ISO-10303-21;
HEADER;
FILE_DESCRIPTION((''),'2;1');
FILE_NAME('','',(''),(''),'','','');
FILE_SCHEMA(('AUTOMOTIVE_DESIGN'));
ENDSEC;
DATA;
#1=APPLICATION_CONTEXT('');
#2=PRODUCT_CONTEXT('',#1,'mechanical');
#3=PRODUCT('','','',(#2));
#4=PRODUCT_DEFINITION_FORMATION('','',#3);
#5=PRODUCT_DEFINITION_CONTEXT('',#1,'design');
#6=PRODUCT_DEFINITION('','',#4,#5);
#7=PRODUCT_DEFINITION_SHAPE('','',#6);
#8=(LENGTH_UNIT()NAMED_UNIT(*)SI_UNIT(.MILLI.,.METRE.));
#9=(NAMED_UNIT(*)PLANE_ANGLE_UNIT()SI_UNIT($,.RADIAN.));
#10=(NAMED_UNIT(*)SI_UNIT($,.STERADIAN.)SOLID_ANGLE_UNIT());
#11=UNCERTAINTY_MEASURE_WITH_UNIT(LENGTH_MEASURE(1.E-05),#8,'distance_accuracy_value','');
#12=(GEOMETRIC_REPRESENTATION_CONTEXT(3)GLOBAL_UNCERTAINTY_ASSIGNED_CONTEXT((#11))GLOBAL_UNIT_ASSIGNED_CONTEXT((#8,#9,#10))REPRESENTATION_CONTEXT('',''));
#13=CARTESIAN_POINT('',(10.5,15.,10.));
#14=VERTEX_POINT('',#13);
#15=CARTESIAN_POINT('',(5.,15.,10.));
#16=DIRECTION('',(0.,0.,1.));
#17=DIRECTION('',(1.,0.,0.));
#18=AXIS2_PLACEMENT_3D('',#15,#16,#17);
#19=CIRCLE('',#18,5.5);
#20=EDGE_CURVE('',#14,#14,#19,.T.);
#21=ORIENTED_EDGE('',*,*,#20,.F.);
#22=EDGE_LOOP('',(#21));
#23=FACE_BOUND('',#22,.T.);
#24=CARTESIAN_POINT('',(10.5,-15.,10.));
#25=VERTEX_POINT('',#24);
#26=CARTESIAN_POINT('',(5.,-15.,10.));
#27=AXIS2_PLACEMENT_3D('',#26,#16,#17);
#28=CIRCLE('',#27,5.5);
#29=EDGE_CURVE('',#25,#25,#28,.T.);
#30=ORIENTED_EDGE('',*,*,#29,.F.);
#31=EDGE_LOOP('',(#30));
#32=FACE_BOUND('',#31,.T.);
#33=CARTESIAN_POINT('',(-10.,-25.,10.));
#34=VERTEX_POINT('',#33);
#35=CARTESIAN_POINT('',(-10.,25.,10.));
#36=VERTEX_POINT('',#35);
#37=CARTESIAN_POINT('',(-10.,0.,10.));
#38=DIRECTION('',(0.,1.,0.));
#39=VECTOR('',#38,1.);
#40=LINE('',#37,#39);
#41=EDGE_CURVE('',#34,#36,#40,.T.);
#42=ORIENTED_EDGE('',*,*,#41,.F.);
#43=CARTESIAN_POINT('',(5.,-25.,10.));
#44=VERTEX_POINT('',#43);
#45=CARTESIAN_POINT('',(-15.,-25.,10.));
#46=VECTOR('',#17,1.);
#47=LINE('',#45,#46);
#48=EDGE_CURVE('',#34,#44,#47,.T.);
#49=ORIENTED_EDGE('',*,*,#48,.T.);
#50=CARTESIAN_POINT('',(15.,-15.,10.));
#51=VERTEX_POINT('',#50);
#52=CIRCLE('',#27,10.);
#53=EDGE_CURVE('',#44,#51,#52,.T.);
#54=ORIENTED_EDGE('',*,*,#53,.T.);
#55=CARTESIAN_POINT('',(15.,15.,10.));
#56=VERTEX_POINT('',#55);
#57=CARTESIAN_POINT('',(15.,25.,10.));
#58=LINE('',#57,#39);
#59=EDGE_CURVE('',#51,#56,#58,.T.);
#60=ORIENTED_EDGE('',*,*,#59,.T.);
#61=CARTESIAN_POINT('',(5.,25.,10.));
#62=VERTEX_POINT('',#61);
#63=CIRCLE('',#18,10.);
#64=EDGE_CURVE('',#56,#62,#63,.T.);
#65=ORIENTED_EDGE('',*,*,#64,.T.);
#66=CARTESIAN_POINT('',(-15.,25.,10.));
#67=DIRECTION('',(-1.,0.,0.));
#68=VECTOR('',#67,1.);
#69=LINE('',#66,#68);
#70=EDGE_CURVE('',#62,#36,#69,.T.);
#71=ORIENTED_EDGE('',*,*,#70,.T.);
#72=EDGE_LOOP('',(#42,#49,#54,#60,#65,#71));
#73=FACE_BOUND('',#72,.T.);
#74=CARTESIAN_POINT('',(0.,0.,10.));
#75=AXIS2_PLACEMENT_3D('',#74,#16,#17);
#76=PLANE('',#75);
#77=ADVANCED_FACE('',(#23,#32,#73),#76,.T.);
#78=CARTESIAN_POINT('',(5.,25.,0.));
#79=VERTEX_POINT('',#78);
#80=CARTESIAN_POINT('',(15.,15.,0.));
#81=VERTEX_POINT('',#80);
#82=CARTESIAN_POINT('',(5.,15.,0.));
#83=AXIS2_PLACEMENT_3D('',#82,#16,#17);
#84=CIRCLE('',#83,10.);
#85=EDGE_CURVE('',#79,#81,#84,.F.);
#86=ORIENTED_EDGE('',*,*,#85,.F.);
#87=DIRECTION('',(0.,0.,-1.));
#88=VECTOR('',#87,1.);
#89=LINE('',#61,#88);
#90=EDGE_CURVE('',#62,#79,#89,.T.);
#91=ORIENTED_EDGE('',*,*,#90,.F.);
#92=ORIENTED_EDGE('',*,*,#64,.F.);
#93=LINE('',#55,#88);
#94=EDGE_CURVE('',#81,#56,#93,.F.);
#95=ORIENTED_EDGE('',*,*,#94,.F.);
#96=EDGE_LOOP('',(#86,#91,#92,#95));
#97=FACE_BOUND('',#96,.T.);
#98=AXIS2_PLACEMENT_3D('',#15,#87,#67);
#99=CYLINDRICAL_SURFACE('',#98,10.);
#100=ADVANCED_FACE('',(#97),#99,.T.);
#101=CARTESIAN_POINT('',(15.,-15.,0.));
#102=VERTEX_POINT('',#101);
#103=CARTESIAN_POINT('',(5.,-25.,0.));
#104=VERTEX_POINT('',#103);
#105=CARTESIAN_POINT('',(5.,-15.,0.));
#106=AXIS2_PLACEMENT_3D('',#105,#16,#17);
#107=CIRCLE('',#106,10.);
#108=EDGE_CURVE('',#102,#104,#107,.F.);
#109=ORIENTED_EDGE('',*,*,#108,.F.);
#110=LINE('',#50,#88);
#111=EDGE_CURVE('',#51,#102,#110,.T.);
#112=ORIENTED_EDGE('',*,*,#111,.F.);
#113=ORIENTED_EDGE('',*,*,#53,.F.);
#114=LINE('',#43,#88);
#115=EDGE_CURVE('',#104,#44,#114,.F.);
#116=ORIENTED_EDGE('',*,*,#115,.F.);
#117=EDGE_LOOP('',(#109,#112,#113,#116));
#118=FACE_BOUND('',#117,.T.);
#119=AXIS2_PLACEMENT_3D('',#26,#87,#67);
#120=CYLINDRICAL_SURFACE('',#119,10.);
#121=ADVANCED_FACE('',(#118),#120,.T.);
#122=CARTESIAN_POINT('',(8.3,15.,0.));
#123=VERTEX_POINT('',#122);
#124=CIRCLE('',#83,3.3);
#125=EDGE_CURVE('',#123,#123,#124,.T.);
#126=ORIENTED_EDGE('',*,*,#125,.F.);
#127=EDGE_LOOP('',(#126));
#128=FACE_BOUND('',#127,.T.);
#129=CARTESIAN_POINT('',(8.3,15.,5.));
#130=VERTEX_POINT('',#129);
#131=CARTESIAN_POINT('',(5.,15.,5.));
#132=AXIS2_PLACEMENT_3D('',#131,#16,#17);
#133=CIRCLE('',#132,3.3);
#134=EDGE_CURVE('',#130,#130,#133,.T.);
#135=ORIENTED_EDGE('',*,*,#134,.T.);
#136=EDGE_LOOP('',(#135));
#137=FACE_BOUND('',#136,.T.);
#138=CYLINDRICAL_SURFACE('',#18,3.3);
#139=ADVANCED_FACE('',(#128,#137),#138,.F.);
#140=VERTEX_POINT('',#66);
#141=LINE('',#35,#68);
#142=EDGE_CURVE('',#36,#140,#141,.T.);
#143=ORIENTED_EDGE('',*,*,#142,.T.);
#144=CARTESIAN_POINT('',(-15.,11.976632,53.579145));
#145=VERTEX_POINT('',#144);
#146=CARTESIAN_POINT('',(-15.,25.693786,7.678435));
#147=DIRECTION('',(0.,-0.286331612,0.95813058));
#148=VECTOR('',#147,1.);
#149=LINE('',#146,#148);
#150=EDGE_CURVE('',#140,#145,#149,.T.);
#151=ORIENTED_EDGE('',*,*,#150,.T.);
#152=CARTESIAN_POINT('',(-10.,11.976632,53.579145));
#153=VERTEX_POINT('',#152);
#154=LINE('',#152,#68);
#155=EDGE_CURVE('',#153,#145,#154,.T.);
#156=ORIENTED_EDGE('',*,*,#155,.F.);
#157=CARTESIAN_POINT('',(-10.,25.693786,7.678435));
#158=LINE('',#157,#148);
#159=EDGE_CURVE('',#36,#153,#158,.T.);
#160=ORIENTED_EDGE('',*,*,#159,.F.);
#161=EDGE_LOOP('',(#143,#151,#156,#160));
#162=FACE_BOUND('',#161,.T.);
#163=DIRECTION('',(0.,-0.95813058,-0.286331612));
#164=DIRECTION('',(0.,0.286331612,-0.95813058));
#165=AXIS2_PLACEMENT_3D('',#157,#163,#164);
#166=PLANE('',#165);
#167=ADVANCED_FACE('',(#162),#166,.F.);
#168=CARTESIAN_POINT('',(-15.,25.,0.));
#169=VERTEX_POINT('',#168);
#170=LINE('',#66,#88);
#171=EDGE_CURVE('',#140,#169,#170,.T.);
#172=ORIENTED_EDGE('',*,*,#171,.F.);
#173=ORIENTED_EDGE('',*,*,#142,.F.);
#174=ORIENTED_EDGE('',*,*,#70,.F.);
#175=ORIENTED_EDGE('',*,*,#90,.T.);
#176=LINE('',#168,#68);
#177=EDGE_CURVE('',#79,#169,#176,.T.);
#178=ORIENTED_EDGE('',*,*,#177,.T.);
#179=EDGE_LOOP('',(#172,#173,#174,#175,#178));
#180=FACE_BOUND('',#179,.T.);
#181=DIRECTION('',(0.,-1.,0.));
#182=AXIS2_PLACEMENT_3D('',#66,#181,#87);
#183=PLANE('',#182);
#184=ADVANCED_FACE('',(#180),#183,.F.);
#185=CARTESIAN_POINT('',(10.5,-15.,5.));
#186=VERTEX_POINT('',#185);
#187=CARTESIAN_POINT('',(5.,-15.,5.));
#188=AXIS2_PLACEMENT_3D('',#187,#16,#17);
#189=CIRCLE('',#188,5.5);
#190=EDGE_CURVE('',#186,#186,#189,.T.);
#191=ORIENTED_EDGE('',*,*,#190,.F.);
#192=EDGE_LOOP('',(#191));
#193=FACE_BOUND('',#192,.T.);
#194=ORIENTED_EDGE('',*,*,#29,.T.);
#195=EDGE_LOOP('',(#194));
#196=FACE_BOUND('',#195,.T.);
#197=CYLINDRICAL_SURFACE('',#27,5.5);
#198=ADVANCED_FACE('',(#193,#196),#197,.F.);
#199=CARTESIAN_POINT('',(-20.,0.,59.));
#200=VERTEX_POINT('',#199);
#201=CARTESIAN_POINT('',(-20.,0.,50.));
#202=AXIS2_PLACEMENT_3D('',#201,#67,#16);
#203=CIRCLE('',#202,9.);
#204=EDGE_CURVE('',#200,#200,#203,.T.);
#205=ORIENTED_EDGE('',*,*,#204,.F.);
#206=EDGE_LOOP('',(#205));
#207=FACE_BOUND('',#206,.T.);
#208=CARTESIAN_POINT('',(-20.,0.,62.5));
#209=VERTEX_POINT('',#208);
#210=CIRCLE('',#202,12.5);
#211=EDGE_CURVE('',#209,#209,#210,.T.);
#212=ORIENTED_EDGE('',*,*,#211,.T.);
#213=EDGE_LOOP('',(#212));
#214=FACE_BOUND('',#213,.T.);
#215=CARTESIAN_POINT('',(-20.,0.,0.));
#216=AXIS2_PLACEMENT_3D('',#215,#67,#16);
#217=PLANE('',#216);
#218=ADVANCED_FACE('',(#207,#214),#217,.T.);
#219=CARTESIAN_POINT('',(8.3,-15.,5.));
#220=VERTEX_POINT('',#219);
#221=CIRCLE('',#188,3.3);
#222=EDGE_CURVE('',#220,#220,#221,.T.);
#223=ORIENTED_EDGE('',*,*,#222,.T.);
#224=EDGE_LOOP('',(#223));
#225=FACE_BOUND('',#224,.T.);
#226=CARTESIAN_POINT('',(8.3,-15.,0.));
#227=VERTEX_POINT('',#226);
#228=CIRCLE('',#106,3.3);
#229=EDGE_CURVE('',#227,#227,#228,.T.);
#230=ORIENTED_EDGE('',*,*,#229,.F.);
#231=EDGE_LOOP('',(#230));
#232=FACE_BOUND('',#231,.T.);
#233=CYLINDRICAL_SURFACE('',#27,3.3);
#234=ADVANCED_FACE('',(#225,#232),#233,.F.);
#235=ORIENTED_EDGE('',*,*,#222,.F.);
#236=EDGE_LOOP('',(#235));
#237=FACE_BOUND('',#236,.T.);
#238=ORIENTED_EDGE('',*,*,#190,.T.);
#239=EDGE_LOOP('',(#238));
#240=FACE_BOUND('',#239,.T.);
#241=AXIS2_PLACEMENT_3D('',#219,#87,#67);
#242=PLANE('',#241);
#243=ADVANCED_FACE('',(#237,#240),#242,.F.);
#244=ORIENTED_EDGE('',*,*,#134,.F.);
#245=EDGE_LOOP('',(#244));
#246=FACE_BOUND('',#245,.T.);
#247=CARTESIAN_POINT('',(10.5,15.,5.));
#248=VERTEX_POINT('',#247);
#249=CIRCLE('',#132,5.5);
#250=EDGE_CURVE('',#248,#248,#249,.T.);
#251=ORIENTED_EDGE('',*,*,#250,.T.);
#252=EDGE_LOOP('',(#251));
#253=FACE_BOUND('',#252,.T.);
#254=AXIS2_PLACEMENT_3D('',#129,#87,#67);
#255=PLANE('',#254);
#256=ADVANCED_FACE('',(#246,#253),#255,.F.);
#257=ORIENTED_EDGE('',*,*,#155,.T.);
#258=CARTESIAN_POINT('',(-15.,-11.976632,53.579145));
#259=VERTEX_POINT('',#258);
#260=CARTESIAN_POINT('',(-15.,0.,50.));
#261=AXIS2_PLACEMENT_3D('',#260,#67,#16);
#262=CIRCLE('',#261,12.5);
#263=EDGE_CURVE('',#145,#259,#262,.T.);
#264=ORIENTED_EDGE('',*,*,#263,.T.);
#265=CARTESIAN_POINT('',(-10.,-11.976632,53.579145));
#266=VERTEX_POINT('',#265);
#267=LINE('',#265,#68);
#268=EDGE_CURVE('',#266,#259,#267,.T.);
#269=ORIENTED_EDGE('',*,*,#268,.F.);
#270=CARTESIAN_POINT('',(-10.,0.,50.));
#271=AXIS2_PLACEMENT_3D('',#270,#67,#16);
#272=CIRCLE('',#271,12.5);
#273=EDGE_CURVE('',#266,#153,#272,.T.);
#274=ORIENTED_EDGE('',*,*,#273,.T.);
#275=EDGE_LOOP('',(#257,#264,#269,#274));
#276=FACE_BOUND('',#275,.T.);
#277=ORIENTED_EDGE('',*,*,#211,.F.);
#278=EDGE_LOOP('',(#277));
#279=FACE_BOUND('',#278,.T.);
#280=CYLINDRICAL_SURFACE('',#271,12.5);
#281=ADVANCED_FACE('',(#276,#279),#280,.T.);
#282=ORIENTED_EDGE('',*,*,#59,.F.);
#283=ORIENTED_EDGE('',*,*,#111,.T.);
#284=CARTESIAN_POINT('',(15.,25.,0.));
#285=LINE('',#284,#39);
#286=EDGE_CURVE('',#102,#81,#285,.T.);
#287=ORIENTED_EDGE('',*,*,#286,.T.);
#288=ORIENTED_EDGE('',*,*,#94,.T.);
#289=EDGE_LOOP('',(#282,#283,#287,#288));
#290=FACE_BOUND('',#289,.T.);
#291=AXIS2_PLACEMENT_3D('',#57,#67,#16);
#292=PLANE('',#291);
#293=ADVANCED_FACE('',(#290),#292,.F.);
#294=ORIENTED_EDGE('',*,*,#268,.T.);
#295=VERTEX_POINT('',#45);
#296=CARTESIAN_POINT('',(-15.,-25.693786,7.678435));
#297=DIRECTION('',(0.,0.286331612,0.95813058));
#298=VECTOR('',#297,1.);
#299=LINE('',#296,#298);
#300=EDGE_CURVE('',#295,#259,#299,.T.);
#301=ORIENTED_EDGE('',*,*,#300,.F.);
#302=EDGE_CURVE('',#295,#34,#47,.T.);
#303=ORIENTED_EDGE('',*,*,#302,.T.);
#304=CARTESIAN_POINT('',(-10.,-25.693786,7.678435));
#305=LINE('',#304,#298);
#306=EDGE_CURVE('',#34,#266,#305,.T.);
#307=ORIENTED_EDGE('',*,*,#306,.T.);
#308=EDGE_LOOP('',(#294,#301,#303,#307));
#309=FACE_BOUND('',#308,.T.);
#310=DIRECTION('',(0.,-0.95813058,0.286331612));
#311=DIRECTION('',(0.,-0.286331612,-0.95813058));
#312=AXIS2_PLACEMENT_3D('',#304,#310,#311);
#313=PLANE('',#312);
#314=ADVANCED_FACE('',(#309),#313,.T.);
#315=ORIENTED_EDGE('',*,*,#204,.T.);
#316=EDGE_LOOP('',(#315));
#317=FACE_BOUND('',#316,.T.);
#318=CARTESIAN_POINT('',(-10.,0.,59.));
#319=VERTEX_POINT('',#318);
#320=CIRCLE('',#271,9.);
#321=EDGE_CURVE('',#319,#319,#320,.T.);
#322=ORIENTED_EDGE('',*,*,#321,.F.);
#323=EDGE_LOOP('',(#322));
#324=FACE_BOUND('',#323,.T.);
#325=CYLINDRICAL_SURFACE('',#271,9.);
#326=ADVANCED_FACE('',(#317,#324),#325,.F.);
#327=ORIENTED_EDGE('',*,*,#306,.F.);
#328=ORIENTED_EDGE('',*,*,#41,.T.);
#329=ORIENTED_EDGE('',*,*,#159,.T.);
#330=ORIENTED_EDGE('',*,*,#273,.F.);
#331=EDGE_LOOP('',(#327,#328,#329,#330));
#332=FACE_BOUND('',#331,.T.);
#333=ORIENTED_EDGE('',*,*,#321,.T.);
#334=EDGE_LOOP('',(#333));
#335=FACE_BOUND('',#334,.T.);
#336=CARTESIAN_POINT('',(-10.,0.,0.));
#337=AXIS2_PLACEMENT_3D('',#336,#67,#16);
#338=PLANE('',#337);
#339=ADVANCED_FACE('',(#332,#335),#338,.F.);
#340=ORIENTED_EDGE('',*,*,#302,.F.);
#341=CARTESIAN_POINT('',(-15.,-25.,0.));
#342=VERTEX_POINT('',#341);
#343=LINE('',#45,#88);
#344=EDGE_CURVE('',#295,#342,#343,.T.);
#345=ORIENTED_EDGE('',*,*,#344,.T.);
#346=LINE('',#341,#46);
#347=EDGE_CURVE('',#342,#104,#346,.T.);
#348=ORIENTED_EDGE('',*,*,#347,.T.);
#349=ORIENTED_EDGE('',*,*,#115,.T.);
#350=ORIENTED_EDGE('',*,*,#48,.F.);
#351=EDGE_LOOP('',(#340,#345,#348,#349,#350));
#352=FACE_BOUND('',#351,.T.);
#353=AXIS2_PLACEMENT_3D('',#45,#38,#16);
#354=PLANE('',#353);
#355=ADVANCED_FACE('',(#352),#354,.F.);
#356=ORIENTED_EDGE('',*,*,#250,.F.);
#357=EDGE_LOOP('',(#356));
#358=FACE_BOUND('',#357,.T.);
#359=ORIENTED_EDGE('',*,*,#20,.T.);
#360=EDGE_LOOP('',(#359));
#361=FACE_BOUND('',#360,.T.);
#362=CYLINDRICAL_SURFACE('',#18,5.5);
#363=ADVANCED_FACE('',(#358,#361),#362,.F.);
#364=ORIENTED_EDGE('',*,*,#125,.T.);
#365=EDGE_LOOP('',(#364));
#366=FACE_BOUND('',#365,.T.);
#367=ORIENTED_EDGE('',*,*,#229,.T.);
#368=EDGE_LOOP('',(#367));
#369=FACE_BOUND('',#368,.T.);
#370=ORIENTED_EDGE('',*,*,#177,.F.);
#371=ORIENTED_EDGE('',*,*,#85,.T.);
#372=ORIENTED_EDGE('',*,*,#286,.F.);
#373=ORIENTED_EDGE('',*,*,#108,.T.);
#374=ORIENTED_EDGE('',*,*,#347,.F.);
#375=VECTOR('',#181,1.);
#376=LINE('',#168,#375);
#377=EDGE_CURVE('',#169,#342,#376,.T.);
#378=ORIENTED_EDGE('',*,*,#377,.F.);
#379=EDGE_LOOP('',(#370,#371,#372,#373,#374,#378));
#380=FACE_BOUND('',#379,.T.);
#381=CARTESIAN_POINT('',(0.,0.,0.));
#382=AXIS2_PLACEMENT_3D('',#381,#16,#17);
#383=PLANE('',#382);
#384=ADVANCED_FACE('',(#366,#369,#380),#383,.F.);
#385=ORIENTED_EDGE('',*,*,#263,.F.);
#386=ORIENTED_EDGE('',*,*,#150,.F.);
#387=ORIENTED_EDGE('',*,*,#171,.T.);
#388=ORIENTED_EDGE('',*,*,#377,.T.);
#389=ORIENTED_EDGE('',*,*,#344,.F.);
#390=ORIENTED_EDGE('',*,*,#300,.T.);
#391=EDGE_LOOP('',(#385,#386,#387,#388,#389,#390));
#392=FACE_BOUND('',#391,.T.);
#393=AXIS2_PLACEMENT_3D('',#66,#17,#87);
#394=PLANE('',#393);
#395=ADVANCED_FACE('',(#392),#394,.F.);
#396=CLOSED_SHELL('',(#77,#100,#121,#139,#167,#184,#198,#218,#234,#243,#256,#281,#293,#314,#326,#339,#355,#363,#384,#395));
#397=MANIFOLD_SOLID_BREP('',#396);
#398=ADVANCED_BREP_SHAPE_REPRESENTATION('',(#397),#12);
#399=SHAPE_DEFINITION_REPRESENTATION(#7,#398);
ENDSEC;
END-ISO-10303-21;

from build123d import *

# Parameters (mm, degrees)
SKETCH_1_W                = 30
SKETCH_1_H                = 50
EXTRUDE_2_DEPTH           = 10
EXTRUDE_3_DEPTH           = 5
EXTRUDE_4_DEPTH           = 5
EXTRUDE_4_DEPTH_BACK      = 5
SKETCH_2_3_R              = 9
FILLET_1_R                = 10
HOLE_WIZARD_1_D           = 6.6
HOLE_WIZARD_1_CBORE_D     = 11
HOLE_WIZARD_1_CBORE_DEPTH = 5


with BuildPart() as part:
    # 草图1 → 凸台-拉伸2 (new body)
    with BuildSketch(Plane.XY):
        Rectangle(SKETCH_1_W, SKETCH_1_H)
    extrude(amount=EXTRUDE_2_DEPTH)

    # 草图2 → 凸台-拉伸3 (add)
    with BuildSketch(Plane.ZY.offset(15)):
        with BuildLine():
            Line((10, 25), (10, -25))
            Line((10, -25), (53.579145154, -11.976632246))
            ThreePointArc((53.579145154, -11.976632246), (37.5, 0), (53.579145154, 11.976632246))
            Line((53.579145154, 11.976632246), (10, 25))
        make_face()
    extrude(amount=-EXTRUDE_3_DEPTH)

    # 草图2<3> → 凸台-拉伸4 (add, two sides: drawn at the far end of the back side and taken through both)
    with BuildSketch(Plane.ZY.offset(15).offset(-EXTRUDE_4_DEPTH_BACK)):
        with BuildLine():
            ThreePointArc((53.579145154, -11.976632246), (60.02470235, -7.466950032), (62.5, 0))
            ThreePointArc((62.5, 0), (60.02470235, 7.466950032), (53.579145154, 11.976632246))
            ThreePointArc((53.579145154, 11.976632246), (37.5, 0), (53.579145154, -11.976632246))
        make_face()
        with Locations((50, 0)):
            Circle(SKETCH_2_3_R, mode=Mode.SUBTRACT)
    extrude(amount=EXTRUDE_4_DEPTH + EXTRUDE_4_DEPTH_BACK)

    # 圆角1
    fillet_1_edges = [part.edges().sort_by_distance(p)[0] for p in [
        (15, 25, 5),
        (15, -25, 5),
    ]]
    fillet(fillet_1_edges, radius=FILLET_1_R)

    # 打孔尺寸(%根据)内六角圆柱头螺钉的类型1 (through all)
    with Locations(Plane.XY.offset(10)):
        with Locations((5, -15), (5, 15)):
            CounterBoreHole(HOLE_WIZARD_1_D / 2, HOLE_WIZARD_1_CBORE_D / 2, HOLE_WIZARD_1_CBORE_DEPTH)


solid = part.part
